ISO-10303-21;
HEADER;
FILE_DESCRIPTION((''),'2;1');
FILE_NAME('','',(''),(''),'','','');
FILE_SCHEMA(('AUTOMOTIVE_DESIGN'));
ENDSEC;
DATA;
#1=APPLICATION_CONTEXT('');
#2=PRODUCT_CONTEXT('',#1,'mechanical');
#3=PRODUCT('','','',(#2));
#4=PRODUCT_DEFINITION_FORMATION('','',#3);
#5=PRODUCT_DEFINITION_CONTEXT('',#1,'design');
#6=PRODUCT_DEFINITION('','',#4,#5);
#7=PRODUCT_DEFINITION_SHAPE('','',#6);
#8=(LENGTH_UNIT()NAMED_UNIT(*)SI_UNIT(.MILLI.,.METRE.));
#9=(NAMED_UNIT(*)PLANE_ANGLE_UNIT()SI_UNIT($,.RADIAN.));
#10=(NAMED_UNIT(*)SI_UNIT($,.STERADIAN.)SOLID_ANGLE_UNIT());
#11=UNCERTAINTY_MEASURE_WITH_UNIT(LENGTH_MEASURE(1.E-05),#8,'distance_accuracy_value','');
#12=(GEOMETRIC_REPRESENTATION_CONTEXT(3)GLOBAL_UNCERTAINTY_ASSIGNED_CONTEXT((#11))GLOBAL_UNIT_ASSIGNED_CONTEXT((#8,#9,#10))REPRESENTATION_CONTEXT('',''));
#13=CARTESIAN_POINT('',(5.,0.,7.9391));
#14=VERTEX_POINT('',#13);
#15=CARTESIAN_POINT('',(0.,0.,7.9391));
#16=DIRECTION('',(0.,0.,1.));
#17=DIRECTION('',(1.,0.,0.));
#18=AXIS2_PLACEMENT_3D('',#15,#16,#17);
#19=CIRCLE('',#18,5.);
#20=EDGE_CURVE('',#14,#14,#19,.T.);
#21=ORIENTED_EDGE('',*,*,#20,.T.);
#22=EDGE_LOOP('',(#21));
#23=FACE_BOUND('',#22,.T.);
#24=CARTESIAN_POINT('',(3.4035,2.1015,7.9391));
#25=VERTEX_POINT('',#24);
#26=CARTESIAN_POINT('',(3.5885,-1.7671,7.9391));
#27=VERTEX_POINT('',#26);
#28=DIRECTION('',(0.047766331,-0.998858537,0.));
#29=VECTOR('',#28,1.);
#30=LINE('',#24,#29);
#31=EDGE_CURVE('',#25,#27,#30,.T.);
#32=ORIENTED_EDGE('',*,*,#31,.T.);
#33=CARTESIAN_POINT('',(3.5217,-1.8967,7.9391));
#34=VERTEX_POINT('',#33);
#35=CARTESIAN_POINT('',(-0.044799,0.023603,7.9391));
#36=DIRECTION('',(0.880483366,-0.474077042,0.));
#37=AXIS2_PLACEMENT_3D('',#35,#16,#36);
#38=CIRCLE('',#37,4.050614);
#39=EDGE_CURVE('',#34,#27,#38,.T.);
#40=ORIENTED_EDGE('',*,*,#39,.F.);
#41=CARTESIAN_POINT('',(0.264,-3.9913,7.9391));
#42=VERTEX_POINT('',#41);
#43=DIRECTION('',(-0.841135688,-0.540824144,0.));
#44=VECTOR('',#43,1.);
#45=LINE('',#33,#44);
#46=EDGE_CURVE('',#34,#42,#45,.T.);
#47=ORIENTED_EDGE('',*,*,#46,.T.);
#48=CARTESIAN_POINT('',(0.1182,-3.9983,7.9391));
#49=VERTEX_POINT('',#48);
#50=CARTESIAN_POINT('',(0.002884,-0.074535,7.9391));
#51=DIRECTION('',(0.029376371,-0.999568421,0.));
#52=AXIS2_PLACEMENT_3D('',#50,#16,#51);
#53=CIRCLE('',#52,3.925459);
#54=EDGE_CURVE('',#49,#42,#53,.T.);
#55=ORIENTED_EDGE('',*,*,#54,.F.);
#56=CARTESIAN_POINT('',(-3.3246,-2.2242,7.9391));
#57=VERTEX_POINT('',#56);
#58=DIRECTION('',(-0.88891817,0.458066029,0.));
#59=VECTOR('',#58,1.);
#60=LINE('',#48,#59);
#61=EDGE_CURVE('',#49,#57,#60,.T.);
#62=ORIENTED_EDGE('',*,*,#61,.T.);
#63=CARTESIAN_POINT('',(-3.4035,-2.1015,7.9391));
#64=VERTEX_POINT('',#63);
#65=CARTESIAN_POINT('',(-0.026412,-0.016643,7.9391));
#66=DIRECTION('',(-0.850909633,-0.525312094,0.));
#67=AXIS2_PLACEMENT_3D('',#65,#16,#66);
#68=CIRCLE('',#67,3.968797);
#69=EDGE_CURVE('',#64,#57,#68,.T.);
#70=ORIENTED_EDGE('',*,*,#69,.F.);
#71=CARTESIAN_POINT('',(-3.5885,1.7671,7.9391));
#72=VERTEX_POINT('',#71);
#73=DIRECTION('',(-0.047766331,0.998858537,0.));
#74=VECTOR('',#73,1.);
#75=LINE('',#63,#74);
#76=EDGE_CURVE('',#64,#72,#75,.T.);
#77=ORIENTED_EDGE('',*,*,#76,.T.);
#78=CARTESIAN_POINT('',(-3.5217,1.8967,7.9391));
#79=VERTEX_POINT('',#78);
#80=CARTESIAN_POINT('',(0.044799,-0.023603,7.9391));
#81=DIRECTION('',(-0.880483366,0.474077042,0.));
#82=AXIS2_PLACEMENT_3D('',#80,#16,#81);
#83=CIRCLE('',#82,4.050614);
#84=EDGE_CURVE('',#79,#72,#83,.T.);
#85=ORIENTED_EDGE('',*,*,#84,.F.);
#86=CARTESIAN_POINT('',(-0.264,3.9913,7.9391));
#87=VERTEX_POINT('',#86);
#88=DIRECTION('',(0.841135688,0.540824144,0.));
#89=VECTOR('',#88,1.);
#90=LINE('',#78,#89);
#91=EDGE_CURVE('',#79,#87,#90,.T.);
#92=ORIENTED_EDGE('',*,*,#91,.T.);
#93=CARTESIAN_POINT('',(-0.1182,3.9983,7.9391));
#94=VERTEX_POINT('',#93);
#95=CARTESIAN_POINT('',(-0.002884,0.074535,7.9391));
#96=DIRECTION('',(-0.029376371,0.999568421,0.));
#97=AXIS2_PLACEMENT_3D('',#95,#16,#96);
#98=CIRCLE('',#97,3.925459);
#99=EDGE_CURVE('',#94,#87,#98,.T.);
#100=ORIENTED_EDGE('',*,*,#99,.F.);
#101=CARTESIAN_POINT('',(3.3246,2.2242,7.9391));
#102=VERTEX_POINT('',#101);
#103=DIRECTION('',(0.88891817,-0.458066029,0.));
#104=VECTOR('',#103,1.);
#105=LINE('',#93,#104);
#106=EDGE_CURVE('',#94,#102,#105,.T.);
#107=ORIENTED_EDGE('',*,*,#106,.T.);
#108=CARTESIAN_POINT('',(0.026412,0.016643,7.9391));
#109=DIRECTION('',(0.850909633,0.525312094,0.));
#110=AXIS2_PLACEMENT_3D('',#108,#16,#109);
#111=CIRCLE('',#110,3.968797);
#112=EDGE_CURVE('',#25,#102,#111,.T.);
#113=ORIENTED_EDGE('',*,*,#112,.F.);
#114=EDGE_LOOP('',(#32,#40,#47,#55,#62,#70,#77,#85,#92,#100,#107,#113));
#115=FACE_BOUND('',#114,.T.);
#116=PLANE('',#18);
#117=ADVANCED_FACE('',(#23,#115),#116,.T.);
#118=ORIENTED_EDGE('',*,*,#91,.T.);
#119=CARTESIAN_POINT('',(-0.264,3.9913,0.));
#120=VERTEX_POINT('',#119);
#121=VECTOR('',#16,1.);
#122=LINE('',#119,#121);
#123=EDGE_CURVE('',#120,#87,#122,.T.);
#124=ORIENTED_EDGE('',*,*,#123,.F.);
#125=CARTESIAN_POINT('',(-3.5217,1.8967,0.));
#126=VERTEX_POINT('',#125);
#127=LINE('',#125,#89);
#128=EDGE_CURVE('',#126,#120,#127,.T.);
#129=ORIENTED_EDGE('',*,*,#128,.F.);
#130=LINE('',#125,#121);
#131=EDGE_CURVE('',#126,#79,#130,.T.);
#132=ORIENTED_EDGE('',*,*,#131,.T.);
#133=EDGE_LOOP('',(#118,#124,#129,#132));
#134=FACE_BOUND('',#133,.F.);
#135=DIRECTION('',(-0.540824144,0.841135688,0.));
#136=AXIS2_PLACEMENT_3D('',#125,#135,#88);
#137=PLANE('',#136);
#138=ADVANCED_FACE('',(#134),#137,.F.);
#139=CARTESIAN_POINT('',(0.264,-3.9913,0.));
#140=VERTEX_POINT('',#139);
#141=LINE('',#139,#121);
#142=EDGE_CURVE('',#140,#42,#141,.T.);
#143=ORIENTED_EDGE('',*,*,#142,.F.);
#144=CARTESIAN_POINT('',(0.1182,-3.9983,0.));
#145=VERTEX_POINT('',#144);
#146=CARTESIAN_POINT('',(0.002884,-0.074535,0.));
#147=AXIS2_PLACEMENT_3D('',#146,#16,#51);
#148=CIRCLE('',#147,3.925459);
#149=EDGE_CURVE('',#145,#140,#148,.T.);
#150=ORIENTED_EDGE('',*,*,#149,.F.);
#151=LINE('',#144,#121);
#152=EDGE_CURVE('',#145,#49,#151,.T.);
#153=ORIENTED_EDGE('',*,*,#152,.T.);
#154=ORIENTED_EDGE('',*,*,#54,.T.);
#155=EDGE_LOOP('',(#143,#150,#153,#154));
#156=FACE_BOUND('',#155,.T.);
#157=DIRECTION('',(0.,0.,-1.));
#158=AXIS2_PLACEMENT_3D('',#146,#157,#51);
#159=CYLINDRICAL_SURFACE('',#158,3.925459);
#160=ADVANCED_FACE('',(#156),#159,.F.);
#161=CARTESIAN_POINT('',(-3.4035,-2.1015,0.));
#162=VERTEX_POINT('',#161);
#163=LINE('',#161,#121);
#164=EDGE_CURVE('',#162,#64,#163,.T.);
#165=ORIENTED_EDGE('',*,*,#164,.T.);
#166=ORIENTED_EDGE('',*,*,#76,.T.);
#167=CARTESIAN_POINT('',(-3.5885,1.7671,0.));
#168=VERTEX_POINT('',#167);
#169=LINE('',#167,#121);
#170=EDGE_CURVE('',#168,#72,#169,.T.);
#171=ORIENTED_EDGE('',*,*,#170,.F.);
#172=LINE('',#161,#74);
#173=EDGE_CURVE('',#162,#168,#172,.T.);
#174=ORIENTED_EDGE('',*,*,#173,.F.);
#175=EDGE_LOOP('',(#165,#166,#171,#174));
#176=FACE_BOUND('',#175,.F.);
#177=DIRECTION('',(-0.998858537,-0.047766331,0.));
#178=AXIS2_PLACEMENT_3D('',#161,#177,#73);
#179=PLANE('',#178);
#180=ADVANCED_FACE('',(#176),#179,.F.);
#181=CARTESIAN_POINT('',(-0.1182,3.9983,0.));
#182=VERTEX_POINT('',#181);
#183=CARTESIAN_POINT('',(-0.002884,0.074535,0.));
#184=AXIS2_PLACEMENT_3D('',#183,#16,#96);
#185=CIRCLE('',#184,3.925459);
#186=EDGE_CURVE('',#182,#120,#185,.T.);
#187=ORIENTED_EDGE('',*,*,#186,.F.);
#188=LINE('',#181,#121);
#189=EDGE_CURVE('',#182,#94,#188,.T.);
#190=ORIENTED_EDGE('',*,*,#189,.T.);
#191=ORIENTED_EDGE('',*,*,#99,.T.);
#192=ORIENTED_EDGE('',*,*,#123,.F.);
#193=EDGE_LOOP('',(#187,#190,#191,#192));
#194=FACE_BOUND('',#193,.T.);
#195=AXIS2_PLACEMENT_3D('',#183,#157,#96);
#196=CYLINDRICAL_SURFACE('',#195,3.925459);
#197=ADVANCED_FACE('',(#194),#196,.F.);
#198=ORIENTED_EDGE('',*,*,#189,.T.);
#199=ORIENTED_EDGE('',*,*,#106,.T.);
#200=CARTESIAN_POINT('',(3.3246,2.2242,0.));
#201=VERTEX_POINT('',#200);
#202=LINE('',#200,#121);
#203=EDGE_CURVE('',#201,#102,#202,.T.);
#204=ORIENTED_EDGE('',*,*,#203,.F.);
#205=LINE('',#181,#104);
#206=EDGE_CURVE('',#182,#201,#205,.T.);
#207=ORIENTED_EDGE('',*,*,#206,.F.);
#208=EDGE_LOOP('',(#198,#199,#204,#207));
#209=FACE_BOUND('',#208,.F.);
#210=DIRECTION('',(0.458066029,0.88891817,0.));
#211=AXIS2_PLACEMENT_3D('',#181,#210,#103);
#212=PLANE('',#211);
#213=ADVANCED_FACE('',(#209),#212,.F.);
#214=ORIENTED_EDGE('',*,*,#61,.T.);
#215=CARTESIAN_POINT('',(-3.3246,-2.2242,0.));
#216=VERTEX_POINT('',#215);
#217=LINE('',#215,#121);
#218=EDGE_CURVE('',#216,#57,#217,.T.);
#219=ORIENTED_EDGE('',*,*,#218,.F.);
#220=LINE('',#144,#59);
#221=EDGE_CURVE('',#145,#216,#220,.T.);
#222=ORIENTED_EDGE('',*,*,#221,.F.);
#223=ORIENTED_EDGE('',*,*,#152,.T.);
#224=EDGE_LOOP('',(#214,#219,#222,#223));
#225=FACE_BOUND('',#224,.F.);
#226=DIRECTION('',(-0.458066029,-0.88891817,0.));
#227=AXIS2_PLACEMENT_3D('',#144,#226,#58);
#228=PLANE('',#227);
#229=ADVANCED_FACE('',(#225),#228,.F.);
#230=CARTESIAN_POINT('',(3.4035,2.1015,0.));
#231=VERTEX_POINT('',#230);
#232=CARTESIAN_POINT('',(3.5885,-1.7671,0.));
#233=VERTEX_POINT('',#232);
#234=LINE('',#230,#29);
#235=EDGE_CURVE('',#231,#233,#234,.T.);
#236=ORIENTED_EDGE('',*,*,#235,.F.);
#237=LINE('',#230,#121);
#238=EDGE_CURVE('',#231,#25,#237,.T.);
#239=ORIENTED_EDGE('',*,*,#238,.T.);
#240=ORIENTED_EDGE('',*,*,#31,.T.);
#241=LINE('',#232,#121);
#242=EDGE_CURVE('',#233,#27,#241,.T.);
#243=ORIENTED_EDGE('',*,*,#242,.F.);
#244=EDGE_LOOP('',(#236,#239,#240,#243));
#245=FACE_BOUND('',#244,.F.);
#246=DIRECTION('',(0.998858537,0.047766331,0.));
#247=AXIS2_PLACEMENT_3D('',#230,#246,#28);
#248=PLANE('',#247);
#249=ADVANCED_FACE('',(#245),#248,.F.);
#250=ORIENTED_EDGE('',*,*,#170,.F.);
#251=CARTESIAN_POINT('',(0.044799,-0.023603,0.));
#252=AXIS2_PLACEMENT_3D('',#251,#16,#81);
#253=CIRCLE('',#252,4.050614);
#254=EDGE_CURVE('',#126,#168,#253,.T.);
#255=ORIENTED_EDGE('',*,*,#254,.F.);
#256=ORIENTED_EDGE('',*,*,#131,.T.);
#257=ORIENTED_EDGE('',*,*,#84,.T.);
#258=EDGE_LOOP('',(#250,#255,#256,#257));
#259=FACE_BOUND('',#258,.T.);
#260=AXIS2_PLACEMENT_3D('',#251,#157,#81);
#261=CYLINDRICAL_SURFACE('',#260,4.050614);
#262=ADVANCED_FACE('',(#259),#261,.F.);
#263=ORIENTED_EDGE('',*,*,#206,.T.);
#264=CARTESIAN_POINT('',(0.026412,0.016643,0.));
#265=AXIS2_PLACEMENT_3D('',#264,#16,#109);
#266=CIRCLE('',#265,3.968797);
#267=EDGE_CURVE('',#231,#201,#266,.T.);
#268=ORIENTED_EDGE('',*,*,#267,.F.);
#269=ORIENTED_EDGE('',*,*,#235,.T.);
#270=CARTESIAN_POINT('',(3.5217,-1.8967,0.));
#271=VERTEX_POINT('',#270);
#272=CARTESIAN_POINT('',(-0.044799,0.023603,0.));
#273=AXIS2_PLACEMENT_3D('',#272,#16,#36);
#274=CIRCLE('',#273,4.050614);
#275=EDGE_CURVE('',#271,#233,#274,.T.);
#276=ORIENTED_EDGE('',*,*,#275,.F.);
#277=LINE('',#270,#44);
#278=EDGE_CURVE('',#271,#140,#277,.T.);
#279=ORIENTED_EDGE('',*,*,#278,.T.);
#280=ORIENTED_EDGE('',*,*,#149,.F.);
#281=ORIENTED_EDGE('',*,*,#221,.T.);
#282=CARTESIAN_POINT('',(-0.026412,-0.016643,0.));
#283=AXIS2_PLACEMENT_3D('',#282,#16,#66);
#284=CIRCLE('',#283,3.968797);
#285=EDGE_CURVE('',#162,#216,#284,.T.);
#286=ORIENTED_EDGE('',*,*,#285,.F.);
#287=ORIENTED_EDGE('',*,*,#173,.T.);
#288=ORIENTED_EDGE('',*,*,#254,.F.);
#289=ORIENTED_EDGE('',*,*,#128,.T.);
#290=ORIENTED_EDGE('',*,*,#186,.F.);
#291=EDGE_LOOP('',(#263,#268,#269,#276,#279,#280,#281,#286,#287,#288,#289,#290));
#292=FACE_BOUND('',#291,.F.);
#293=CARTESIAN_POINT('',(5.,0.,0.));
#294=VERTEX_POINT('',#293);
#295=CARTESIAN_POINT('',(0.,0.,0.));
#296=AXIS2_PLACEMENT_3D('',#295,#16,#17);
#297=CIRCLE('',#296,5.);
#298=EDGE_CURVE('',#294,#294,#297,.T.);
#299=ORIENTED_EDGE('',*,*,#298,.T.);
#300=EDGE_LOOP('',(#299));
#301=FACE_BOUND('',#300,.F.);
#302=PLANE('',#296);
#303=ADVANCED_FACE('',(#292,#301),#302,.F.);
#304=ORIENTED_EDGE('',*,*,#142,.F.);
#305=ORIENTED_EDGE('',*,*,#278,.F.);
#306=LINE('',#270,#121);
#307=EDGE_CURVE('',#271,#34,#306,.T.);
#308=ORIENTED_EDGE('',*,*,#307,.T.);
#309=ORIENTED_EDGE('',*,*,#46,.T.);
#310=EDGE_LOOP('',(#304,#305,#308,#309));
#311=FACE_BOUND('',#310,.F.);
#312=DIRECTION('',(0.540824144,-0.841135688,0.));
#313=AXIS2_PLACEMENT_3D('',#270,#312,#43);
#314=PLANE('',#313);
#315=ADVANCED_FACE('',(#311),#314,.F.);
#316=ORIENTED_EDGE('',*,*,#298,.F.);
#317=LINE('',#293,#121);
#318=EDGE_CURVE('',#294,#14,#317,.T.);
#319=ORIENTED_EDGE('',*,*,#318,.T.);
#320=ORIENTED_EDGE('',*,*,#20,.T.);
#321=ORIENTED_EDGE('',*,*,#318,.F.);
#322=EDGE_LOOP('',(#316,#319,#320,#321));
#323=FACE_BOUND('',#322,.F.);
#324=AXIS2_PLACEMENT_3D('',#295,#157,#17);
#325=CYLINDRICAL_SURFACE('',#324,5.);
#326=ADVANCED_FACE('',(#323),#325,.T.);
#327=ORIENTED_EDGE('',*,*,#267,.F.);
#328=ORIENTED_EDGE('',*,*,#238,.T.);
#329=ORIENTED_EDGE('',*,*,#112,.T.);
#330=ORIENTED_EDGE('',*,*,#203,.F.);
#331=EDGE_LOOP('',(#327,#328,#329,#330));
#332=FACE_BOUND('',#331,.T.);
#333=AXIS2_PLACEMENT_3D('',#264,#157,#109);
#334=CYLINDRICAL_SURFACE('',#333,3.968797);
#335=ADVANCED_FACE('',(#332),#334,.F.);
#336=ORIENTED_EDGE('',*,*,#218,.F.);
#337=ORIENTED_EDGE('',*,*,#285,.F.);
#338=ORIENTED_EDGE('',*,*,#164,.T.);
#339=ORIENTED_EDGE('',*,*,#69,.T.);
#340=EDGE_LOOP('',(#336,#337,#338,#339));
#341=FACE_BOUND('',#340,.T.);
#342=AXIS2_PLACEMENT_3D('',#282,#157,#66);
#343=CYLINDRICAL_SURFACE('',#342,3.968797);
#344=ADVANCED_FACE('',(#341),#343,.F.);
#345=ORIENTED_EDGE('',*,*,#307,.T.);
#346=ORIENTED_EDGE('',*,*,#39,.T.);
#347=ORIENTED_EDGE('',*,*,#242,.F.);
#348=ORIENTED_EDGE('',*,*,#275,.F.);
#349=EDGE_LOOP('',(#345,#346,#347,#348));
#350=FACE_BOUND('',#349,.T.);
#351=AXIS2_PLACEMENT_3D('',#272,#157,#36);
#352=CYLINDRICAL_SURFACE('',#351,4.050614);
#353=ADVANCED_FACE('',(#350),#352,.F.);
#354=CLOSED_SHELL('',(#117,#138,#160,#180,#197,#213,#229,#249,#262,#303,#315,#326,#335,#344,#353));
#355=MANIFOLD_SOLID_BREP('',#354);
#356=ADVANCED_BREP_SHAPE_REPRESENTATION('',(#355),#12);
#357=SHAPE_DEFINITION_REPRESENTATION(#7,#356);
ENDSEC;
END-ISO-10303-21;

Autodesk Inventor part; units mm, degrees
ref_plane "YZ Plane" through (0, 0, 0) normal (1, 0, 0) x (0, 1, 0)
ref_plane "XZ Plane" through (0, 0, 0) normal (0, 1, 0) x (-1, 0, 0)
sketch "Sketch1" plane through (0, 0, 0) normal (0, 0, 1) x (1, 0, 0)
  line L0 (0.1182, -3.9983) -> (-3.3246, -2.2242)
  arc A0 (-3.4035, -2.1015) -> (-3.3246, -2.2242) centre (0, 0) ccw
  line L1 (-3.4035, -2.1015) -> (-3.5885, 1.7671)
  arc A1 (-3.5217, 1.8967) -> (-3.5885, 1.7671) centre (0, 0) ccw
  line L2 (-3.5217, 1.8967) -> (-0.264, 3.9913)
  arc A2 (-0.1182, 3.9983) -> (-0.264, 3.9913) centre (0, 0) ccw
  line L3 (-0.1182, 3.9983) -> (3.3246, 2.2242)
  arc A3 (3.4035, 2.1015) -> (3.3246, 2.2242) centre (0, 0) ccw
  line L4 (3.4035, 2.1015) -> (3.5885, -1.7671)
  arc A4 (3.5217, -1.8967) -> (3.5885, -1.7671) centre (0, 0) ccw
  line L5 (3.5217, -1.8967) -> (0.264, -3.9913)
  arc A5 (0.1182, -3.9983) -> (0.264, -3.9913) centre (0, 0) ccw
  circle A6 centre (0, 0) radius 5
  point P0 (0, 0)
  dimension "d0" = 10
ref_plane "Work Plane1" through (-10.3993, -10.3993, 7.9391) normal (0, 0, -1) x (0.4581, 0.8889, 0)
extrude "Extrusion1" add sketch "Sketch1" along normal up to surface (7.9391 mm away)
properties part number "Power_Transmission_Space_Two"
